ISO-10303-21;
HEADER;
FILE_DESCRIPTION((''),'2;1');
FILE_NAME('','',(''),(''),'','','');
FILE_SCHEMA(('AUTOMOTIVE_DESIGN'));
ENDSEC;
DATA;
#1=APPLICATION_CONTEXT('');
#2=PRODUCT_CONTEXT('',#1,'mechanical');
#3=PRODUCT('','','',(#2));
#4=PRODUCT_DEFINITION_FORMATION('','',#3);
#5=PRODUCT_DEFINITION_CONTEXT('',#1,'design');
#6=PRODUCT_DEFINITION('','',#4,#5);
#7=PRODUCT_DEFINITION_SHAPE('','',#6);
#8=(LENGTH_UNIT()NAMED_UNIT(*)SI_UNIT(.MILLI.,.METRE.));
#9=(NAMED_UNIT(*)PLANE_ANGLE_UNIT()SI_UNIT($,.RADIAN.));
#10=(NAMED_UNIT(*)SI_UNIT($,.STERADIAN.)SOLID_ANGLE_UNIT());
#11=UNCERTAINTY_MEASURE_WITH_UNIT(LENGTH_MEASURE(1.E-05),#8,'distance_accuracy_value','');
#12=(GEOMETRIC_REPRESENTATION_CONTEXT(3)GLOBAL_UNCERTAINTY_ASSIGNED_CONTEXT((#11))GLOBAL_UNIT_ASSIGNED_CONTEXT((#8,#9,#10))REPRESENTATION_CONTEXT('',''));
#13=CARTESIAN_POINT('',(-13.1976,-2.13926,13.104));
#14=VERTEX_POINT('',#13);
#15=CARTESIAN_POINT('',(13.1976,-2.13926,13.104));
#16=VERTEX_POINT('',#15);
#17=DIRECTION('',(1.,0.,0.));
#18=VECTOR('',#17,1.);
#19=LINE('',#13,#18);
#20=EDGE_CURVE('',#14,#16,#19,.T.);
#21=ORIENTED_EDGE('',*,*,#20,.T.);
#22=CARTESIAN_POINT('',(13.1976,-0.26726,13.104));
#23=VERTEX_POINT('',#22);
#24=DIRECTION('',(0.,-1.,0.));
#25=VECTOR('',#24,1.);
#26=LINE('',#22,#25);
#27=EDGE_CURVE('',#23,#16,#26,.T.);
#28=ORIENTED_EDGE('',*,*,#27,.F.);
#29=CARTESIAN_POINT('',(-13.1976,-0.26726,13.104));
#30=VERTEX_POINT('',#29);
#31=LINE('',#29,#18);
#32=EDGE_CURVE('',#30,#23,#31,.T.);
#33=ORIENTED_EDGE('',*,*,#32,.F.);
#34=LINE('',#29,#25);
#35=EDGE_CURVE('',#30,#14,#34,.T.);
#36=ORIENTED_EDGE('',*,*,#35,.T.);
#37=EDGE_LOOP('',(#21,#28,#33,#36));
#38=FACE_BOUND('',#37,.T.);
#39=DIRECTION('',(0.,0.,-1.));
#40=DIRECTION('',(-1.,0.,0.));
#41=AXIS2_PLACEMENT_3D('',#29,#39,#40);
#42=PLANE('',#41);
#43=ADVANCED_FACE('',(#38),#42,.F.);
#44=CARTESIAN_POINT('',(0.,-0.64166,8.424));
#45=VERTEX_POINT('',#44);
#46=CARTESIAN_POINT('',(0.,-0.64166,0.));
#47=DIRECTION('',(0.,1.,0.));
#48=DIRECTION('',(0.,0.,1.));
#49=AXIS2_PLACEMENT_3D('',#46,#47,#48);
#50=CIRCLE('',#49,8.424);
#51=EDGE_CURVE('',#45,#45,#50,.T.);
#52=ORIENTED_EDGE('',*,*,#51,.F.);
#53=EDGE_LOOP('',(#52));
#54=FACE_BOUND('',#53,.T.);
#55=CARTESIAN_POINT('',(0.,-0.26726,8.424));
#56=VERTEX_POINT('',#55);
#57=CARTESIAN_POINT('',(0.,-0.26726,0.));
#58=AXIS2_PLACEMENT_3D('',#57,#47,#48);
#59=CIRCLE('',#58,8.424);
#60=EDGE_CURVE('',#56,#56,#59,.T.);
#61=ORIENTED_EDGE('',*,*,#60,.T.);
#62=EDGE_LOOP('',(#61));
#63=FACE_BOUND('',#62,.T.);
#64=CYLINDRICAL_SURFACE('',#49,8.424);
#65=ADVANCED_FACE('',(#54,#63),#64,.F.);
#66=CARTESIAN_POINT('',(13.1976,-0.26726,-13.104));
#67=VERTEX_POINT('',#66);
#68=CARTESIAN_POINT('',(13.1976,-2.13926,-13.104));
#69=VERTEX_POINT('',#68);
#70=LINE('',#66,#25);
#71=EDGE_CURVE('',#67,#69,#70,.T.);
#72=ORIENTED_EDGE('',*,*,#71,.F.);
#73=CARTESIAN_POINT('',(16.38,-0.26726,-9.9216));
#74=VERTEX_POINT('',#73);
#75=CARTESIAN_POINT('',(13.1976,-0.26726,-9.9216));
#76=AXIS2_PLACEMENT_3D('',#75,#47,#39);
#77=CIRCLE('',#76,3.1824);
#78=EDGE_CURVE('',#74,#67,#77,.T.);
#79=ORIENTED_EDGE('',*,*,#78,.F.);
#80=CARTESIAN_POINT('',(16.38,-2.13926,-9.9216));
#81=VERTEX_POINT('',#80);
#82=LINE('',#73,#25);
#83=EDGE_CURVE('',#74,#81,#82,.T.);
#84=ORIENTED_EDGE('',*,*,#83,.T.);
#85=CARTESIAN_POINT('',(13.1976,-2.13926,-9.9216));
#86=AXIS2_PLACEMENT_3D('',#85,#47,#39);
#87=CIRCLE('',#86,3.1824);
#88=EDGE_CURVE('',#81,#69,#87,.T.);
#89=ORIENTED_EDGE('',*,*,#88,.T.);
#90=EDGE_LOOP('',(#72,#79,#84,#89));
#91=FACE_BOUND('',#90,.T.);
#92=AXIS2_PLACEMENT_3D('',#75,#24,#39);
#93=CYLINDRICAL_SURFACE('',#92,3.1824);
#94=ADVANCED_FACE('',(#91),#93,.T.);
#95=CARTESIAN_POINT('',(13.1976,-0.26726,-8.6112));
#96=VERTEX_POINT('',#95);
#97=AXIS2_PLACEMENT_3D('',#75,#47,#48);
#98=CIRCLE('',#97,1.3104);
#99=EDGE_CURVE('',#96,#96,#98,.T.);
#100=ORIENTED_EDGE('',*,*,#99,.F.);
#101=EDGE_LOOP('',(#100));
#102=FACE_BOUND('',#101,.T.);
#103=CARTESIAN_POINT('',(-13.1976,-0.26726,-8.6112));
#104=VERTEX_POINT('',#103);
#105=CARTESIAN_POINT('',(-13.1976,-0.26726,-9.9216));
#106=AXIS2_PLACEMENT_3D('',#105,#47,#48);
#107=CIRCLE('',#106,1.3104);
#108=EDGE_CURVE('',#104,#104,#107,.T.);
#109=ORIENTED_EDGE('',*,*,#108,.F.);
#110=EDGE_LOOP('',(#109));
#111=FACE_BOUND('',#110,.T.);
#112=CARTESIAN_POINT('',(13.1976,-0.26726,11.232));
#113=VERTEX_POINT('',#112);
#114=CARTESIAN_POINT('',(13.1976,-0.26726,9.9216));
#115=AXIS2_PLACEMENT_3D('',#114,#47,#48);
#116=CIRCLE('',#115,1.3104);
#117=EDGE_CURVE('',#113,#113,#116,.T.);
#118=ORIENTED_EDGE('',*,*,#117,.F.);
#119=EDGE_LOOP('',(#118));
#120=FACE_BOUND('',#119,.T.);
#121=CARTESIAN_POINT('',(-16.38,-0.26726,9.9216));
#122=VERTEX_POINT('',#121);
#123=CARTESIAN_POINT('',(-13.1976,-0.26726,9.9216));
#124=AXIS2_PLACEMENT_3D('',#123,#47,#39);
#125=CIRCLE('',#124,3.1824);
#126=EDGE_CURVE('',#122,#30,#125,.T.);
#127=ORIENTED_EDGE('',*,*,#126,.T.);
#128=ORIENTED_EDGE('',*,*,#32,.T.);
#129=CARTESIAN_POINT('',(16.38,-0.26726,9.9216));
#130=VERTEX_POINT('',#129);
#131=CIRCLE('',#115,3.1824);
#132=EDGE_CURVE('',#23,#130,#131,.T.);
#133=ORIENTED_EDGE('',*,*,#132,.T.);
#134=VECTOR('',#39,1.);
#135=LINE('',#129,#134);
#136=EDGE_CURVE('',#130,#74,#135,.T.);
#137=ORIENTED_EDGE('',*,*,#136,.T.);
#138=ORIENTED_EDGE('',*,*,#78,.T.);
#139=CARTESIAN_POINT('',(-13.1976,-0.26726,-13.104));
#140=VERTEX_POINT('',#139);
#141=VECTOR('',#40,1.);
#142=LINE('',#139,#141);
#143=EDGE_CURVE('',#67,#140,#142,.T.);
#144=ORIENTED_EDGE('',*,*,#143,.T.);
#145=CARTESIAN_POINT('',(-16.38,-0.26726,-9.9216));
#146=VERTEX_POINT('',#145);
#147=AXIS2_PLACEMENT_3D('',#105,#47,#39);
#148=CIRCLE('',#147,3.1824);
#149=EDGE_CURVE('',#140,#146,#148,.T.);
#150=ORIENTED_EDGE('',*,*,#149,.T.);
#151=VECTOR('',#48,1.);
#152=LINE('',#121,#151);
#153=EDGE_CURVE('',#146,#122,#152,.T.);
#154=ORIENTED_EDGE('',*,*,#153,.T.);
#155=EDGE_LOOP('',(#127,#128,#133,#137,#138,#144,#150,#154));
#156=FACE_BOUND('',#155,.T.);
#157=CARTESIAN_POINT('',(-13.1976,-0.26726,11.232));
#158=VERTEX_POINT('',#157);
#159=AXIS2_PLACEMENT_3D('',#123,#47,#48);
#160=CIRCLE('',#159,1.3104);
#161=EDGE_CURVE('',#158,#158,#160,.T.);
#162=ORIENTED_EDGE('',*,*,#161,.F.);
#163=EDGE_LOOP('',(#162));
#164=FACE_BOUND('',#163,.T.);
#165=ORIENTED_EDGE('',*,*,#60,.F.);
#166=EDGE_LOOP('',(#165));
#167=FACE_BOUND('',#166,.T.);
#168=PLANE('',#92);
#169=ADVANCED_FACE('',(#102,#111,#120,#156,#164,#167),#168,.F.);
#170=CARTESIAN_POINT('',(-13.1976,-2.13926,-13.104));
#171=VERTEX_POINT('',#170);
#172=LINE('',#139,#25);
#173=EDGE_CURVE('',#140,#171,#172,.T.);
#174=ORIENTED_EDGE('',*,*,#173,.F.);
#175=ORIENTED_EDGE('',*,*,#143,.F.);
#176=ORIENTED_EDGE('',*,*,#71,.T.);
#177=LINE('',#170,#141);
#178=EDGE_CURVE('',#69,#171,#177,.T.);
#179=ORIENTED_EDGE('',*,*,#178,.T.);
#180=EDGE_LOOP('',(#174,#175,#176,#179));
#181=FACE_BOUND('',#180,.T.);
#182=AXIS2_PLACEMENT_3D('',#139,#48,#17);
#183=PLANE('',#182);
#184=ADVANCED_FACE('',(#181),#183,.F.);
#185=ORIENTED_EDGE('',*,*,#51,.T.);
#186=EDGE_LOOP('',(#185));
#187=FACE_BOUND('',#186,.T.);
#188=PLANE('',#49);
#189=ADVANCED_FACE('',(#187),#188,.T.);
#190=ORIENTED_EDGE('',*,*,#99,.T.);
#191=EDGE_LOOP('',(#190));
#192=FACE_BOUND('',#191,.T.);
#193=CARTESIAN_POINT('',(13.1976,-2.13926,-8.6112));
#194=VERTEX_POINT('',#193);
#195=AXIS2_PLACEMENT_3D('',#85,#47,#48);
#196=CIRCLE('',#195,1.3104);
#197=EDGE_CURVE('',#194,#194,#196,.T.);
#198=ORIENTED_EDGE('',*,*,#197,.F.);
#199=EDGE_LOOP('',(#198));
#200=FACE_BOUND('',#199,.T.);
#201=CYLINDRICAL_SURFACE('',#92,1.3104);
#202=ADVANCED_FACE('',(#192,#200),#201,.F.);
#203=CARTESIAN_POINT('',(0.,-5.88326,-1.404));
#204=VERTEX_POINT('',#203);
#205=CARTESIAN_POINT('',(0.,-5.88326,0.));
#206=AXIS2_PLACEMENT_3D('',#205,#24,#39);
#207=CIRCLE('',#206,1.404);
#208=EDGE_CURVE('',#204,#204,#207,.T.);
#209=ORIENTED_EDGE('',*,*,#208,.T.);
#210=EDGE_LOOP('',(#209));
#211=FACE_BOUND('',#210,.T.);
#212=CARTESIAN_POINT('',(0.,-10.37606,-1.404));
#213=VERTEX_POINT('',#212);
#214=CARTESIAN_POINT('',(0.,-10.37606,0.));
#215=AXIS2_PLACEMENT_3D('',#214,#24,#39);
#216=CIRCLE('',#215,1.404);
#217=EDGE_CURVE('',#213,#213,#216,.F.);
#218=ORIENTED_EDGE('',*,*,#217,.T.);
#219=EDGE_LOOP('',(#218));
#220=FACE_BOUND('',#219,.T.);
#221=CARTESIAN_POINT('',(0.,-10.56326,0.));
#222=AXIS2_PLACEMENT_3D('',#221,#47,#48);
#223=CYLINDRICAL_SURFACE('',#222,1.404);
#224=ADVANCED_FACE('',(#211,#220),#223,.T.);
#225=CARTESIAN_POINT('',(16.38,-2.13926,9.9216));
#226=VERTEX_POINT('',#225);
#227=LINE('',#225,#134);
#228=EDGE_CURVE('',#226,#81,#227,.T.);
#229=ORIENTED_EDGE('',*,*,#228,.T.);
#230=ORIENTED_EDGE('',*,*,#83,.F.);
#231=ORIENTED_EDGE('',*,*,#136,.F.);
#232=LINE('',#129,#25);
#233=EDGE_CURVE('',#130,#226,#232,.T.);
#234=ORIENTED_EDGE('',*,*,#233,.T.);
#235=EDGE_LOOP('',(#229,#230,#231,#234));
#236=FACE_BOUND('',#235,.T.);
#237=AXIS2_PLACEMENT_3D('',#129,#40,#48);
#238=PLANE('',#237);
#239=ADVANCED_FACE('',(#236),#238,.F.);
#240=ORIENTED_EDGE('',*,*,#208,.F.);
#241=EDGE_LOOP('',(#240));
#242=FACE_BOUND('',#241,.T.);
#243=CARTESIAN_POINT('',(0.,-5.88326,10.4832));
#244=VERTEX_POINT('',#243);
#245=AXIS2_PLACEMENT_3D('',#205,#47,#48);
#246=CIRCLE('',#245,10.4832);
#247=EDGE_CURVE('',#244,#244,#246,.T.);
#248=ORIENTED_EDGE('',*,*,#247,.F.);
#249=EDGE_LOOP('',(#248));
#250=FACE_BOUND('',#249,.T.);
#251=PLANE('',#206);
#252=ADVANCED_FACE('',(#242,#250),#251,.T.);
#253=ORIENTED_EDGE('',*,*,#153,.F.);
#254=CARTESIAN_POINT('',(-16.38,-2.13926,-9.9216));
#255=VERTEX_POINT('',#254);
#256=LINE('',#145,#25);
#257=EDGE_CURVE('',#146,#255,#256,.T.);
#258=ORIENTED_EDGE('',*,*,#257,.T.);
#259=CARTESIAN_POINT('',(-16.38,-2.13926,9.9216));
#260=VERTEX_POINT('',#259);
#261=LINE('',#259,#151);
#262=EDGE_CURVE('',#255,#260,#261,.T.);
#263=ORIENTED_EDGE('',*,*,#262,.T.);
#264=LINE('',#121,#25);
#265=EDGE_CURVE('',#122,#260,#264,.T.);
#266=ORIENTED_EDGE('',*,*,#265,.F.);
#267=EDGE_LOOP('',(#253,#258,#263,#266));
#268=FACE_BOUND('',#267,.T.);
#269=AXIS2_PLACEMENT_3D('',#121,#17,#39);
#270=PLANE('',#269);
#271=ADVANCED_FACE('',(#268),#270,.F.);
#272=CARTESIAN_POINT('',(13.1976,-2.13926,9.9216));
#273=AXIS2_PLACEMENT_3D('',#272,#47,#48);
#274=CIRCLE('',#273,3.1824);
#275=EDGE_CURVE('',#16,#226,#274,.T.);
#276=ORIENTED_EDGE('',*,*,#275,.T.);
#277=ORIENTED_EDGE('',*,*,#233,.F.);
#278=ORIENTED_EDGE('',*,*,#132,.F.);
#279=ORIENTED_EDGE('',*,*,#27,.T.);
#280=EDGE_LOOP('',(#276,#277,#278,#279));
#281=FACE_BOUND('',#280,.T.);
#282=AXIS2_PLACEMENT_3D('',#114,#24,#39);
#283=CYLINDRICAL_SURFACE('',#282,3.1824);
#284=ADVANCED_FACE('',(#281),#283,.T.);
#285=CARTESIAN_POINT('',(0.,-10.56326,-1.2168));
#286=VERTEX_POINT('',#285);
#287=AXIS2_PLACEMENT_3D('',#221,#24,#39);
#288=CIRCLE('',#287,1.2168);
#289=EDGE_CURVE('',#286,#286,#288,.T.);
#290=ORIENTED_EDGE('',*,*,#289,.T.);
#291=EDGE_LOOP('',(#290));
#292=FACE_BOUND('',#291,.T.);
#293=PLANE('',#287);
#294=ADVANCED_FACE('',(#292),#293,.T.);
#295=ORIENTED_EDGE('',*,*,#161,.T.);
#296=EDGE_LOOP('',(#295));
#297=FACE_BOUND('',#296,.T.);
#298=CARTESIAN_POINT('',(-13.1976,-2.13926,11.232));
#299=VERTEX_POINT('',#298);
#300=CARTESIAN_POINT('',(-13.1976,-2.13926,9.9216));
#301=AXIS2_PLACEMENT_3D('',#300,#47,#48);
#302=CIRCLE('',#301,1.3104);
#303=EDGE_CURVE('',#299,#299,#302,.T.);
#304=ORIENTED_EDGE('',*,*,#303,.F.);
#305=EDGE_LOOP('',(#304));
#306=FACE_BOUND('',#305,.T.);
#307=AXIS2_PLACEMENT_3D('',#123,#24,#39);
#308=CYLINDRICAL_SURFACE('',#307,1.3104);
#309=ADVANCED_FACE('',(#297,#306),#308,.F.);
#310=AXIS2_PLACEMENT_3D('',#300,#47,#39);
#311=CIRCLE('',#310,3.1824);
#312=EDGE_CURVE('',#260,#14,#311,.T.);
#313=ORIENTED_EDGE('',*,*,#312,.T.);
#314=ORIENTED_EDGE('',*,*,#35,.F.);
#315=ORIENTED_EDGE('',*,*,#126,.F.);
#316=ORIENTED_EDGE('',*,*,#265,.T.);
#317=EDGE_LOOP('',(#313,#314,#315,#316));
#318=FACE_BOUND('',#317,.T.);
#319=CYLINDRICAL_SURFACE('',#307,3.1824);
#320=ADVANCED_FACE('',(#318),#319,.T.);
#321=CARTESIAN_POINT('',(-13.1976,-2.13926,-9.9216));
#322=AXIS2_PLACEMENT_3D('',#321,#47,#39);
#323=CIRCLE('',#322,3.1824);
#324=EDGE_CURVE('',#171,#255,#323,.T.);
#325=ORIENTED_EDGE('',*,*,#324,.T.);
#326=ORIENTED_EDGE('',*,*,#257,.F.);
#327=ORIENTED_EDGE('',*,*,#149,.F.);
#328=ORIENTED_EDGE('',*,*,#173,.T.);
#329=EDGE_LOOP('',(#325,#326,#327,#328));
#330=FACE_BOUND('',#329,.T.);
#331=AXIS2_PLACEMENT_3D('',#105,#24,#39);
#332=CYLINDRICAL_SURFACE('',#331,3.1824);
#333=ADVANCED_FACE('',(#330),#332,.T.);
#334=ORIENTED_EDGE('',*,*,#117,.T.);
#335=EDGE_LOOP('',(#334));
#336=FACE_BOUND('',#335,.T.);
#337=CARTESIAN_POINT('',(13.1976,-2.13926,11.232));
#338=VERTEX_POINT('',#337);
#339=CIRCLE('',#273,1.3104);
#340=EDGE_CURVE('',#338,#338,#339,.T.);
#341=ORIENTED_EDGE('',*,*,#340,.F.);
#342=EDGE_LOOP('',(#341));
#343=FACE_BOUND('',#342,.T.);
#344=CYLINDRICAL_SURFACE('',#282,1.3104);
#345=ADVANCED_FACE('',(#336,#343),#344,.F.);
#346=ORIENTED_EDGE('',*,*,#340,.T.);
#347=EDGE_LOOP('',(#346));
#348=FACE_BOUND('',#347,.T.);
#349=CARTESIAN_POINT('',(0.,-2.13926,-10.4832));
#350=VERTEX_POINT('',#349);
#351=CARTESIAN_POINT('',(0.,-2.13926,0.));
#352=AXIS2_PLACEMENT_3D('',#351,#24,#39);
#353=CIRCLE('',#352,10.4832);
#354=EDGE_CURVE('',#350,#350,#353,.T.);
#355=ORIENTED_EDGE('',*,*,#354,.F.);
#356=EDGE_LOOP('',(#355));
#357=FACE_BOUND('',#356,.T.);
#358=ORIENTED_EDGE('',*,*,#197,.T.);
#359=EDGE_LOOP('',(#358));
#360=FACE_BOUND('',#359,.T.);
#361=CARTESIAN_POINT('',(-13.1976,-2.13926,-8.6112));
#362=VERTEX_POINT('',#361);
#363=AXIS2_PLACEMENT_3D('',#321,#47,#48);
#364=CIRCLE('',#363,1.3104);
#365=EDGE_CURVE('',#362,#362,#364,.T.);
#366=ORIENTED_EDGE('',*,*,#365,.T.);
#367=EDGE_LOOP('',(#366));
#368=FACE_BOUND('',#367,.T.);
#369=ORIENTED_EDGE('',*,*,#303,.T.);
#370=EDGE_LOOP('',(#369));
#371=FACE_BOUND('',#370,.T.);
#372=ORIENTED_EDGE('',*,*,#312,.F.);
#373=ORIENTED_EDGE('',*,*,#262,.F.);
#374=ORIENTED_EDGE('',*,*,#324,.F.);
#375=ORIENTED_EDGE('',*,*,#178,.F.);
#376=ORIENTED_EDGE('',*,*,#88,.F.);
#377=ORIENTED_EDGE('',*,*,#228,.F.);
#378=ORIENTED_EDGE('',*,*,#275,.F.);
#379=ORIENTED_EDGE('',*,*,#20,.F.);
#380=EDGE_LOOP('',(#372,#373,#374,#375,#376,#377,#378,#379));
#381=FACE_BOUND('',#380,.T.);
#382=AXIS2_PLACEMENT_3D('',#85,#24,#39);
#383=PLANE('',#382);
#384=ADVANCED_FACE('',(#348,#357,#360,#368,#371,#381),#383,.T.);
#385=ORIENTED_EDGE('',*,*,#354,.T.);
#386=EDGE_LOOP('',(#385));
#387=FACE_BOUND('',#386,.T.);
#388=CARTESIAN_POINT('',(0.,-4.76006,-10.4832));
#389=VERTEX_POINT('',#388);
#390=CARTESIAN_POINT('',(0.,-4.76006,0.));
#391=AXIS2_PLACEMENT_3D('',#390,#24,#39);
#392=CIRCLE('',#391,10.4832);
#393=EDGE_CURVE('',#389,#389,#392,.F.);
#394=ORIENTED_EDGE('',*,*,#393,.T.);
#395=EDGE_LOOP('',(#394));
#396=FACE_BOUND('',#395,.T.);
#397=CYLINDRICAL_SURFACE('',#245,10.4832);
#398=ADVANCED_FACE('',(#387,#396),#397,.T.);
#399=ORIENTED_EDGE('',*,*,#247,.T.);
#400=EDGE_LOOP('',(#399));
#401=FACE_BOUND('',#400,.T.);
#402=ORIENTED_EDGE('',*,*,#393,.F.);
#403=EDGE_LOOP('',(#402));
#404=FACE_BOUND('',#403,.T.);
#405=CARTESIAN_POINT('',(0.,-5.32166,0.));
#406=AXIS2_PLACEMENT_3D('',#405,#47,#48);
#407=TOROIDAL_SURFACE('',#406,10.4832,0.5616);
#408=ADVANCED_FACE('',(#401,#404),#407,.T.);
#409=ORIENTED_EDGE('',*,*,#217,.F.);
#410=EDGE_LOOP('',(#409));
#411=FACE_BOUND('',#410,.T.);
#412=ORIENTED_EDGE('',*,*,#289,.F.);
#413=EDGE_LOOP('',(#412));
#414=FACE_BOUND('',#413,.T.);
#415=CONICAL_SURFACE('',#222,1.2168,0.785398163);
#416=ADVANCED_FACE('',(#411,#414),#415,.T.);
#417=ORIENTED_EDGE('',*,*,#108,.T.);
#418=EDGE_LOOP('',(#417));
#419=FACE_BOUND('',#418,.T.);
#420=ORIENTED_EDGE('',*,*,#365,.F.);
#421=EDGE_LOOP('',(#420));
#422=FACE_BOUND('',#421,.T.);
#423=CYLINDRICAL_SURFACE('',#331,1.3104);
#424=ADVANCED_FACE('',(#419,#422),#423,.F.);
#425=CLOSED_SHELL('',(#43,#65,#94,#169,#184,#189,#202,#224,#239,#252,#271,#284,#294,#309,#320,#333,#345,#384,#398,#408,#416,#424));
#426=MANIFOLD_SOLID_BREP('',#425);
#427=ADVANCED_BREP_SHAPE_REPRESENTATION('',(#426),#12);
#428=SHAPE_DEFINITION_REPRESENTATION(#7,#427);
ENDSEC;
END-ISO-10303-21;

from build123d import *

# Parameters (mm, degrees)
SKETCH1_R           = 7
BOSS_EXTRUDE1_DEPTH = 10
SKETCH2_R           = 56
BOSS_EXTRUDE2_DEPTH = 20
SKETCH3_R           = 3
SKETCH4_R           = 7.5
BOSS_EXTRUDE3_DEPTH = 25
CHAMFER1_SIZE       = 1
SKETCH5_R           = 45
CUT_EXTRUDE1_DEPTH  = 2
SCALE1_SCALE        = 0.18
SCALE2_SCALE        = 1.04


with BuildPart() as part:
    # Sketch1 → Boss-Extrude1 (new body)
    with BuildSketch(Plane(origin=(0, 0, 0), x_dir=(1, 0, 0), z_dir=(0, 1, 0))):
        with BuildLine():
            Line((-70.5, -70), (70.5, -70))
            ThreePointArc((70.5, -70), (82.52081528, -65.02081528), (87.5, -53))
            Line((87.5, -53), (87.5, 53))
            ThreePointArc((87.5, 53), (82.52081528, 65.02081528), (70.5, 70))
            Line((70.5, 70), (-70.5, 70))
            ThreePointArc((-70.5, 70), (-82.52081528, 65.02081528), (-87.5, 53))
            Line((-87.5, 53), (-87.5, -53))
            ThreePointArc((-87.5, -53), (-82.52081528, -65.02081528), (-70.5, -70))
        make_face()
        with Locations((-70.5, 53)):
            Circle(SKETCH1_R, mode=Mode.SUBTRACT)
        with Locations((-70.5, -53)):
            Circle(SKETCH1_R, mode=Mode.SUBTRACT)
        with Locations((70.5, -53)):
            Circle(SKETCH1_R, mode=Mode.SUBTRACT)
        with Locations((70.5, 53)):
            Circle(SKETCH1_R, mode=Mode.SUBTRACT)
    extrude(amount=BOSS_EXTRUDE1_DEPTH)

    # Sketch2 → Boss-Extrude2 (add)
    with BuildSketch(Plane.XZ):
        Circle(SKETCH2_R)
    extrude(amount=BOSS_EXTRUDE2_DEPTH)

    # Sketch3 → Revolve1 (revolve)
    with BuildSketch(Plane(origin=(0, 0, 0), x_dir=(0, 0, -1), z_dir=(1, 0, 0))):
        with Locations((-56, -17)):
            Circle(SKETCH3_R)
    revolve(axis=Axis((0, 0, 0), (0, -1, 0)))

    # Sketch4 → Boss-Extrude3 (add)
    with BuildSketch(Plane.XZ.offset(20)):
        Circle(SKETCH4_R)
    extrude(amount=BOSS_EXTRUDE3_DEPTH)

    # Chamfer1
    chamfer1_edges = [part.edges().sort_by_distance(p)[0] for p in [
        (-7.5, -45, 0),
    ]]
    chamfer(chamfer1_edges, length=CHAMFER1_SIZE)

    # Sketch5 → Cut-Extrude1 (cut)
    with BuildSketch(Plane(origin=(0, 10, 0), x_dir=(1, 0, 0), z_dir=(0, 1, 0))):
        Circle(SKETCH5_R)
    extrude(amount=-CUT_EXTRUDE1_DEPTH, mode=Mode.SUBTRACT)


with BuildPart() as part_1:
    # Scale1: scaled about (0, -2.631964086, 0)
    add(part.part.scale(SCALE1_SCALE).moved(Location((0, -2.158210551, 0))))


with BuildPart() as part_2:
    # Scale2: scaled about (0, -2.631964086, 0)
    add(part_1.part.scale(SCALE2_SCALE).moved(Location((0, 0.105278563, 0))))


solid = part_2.part
